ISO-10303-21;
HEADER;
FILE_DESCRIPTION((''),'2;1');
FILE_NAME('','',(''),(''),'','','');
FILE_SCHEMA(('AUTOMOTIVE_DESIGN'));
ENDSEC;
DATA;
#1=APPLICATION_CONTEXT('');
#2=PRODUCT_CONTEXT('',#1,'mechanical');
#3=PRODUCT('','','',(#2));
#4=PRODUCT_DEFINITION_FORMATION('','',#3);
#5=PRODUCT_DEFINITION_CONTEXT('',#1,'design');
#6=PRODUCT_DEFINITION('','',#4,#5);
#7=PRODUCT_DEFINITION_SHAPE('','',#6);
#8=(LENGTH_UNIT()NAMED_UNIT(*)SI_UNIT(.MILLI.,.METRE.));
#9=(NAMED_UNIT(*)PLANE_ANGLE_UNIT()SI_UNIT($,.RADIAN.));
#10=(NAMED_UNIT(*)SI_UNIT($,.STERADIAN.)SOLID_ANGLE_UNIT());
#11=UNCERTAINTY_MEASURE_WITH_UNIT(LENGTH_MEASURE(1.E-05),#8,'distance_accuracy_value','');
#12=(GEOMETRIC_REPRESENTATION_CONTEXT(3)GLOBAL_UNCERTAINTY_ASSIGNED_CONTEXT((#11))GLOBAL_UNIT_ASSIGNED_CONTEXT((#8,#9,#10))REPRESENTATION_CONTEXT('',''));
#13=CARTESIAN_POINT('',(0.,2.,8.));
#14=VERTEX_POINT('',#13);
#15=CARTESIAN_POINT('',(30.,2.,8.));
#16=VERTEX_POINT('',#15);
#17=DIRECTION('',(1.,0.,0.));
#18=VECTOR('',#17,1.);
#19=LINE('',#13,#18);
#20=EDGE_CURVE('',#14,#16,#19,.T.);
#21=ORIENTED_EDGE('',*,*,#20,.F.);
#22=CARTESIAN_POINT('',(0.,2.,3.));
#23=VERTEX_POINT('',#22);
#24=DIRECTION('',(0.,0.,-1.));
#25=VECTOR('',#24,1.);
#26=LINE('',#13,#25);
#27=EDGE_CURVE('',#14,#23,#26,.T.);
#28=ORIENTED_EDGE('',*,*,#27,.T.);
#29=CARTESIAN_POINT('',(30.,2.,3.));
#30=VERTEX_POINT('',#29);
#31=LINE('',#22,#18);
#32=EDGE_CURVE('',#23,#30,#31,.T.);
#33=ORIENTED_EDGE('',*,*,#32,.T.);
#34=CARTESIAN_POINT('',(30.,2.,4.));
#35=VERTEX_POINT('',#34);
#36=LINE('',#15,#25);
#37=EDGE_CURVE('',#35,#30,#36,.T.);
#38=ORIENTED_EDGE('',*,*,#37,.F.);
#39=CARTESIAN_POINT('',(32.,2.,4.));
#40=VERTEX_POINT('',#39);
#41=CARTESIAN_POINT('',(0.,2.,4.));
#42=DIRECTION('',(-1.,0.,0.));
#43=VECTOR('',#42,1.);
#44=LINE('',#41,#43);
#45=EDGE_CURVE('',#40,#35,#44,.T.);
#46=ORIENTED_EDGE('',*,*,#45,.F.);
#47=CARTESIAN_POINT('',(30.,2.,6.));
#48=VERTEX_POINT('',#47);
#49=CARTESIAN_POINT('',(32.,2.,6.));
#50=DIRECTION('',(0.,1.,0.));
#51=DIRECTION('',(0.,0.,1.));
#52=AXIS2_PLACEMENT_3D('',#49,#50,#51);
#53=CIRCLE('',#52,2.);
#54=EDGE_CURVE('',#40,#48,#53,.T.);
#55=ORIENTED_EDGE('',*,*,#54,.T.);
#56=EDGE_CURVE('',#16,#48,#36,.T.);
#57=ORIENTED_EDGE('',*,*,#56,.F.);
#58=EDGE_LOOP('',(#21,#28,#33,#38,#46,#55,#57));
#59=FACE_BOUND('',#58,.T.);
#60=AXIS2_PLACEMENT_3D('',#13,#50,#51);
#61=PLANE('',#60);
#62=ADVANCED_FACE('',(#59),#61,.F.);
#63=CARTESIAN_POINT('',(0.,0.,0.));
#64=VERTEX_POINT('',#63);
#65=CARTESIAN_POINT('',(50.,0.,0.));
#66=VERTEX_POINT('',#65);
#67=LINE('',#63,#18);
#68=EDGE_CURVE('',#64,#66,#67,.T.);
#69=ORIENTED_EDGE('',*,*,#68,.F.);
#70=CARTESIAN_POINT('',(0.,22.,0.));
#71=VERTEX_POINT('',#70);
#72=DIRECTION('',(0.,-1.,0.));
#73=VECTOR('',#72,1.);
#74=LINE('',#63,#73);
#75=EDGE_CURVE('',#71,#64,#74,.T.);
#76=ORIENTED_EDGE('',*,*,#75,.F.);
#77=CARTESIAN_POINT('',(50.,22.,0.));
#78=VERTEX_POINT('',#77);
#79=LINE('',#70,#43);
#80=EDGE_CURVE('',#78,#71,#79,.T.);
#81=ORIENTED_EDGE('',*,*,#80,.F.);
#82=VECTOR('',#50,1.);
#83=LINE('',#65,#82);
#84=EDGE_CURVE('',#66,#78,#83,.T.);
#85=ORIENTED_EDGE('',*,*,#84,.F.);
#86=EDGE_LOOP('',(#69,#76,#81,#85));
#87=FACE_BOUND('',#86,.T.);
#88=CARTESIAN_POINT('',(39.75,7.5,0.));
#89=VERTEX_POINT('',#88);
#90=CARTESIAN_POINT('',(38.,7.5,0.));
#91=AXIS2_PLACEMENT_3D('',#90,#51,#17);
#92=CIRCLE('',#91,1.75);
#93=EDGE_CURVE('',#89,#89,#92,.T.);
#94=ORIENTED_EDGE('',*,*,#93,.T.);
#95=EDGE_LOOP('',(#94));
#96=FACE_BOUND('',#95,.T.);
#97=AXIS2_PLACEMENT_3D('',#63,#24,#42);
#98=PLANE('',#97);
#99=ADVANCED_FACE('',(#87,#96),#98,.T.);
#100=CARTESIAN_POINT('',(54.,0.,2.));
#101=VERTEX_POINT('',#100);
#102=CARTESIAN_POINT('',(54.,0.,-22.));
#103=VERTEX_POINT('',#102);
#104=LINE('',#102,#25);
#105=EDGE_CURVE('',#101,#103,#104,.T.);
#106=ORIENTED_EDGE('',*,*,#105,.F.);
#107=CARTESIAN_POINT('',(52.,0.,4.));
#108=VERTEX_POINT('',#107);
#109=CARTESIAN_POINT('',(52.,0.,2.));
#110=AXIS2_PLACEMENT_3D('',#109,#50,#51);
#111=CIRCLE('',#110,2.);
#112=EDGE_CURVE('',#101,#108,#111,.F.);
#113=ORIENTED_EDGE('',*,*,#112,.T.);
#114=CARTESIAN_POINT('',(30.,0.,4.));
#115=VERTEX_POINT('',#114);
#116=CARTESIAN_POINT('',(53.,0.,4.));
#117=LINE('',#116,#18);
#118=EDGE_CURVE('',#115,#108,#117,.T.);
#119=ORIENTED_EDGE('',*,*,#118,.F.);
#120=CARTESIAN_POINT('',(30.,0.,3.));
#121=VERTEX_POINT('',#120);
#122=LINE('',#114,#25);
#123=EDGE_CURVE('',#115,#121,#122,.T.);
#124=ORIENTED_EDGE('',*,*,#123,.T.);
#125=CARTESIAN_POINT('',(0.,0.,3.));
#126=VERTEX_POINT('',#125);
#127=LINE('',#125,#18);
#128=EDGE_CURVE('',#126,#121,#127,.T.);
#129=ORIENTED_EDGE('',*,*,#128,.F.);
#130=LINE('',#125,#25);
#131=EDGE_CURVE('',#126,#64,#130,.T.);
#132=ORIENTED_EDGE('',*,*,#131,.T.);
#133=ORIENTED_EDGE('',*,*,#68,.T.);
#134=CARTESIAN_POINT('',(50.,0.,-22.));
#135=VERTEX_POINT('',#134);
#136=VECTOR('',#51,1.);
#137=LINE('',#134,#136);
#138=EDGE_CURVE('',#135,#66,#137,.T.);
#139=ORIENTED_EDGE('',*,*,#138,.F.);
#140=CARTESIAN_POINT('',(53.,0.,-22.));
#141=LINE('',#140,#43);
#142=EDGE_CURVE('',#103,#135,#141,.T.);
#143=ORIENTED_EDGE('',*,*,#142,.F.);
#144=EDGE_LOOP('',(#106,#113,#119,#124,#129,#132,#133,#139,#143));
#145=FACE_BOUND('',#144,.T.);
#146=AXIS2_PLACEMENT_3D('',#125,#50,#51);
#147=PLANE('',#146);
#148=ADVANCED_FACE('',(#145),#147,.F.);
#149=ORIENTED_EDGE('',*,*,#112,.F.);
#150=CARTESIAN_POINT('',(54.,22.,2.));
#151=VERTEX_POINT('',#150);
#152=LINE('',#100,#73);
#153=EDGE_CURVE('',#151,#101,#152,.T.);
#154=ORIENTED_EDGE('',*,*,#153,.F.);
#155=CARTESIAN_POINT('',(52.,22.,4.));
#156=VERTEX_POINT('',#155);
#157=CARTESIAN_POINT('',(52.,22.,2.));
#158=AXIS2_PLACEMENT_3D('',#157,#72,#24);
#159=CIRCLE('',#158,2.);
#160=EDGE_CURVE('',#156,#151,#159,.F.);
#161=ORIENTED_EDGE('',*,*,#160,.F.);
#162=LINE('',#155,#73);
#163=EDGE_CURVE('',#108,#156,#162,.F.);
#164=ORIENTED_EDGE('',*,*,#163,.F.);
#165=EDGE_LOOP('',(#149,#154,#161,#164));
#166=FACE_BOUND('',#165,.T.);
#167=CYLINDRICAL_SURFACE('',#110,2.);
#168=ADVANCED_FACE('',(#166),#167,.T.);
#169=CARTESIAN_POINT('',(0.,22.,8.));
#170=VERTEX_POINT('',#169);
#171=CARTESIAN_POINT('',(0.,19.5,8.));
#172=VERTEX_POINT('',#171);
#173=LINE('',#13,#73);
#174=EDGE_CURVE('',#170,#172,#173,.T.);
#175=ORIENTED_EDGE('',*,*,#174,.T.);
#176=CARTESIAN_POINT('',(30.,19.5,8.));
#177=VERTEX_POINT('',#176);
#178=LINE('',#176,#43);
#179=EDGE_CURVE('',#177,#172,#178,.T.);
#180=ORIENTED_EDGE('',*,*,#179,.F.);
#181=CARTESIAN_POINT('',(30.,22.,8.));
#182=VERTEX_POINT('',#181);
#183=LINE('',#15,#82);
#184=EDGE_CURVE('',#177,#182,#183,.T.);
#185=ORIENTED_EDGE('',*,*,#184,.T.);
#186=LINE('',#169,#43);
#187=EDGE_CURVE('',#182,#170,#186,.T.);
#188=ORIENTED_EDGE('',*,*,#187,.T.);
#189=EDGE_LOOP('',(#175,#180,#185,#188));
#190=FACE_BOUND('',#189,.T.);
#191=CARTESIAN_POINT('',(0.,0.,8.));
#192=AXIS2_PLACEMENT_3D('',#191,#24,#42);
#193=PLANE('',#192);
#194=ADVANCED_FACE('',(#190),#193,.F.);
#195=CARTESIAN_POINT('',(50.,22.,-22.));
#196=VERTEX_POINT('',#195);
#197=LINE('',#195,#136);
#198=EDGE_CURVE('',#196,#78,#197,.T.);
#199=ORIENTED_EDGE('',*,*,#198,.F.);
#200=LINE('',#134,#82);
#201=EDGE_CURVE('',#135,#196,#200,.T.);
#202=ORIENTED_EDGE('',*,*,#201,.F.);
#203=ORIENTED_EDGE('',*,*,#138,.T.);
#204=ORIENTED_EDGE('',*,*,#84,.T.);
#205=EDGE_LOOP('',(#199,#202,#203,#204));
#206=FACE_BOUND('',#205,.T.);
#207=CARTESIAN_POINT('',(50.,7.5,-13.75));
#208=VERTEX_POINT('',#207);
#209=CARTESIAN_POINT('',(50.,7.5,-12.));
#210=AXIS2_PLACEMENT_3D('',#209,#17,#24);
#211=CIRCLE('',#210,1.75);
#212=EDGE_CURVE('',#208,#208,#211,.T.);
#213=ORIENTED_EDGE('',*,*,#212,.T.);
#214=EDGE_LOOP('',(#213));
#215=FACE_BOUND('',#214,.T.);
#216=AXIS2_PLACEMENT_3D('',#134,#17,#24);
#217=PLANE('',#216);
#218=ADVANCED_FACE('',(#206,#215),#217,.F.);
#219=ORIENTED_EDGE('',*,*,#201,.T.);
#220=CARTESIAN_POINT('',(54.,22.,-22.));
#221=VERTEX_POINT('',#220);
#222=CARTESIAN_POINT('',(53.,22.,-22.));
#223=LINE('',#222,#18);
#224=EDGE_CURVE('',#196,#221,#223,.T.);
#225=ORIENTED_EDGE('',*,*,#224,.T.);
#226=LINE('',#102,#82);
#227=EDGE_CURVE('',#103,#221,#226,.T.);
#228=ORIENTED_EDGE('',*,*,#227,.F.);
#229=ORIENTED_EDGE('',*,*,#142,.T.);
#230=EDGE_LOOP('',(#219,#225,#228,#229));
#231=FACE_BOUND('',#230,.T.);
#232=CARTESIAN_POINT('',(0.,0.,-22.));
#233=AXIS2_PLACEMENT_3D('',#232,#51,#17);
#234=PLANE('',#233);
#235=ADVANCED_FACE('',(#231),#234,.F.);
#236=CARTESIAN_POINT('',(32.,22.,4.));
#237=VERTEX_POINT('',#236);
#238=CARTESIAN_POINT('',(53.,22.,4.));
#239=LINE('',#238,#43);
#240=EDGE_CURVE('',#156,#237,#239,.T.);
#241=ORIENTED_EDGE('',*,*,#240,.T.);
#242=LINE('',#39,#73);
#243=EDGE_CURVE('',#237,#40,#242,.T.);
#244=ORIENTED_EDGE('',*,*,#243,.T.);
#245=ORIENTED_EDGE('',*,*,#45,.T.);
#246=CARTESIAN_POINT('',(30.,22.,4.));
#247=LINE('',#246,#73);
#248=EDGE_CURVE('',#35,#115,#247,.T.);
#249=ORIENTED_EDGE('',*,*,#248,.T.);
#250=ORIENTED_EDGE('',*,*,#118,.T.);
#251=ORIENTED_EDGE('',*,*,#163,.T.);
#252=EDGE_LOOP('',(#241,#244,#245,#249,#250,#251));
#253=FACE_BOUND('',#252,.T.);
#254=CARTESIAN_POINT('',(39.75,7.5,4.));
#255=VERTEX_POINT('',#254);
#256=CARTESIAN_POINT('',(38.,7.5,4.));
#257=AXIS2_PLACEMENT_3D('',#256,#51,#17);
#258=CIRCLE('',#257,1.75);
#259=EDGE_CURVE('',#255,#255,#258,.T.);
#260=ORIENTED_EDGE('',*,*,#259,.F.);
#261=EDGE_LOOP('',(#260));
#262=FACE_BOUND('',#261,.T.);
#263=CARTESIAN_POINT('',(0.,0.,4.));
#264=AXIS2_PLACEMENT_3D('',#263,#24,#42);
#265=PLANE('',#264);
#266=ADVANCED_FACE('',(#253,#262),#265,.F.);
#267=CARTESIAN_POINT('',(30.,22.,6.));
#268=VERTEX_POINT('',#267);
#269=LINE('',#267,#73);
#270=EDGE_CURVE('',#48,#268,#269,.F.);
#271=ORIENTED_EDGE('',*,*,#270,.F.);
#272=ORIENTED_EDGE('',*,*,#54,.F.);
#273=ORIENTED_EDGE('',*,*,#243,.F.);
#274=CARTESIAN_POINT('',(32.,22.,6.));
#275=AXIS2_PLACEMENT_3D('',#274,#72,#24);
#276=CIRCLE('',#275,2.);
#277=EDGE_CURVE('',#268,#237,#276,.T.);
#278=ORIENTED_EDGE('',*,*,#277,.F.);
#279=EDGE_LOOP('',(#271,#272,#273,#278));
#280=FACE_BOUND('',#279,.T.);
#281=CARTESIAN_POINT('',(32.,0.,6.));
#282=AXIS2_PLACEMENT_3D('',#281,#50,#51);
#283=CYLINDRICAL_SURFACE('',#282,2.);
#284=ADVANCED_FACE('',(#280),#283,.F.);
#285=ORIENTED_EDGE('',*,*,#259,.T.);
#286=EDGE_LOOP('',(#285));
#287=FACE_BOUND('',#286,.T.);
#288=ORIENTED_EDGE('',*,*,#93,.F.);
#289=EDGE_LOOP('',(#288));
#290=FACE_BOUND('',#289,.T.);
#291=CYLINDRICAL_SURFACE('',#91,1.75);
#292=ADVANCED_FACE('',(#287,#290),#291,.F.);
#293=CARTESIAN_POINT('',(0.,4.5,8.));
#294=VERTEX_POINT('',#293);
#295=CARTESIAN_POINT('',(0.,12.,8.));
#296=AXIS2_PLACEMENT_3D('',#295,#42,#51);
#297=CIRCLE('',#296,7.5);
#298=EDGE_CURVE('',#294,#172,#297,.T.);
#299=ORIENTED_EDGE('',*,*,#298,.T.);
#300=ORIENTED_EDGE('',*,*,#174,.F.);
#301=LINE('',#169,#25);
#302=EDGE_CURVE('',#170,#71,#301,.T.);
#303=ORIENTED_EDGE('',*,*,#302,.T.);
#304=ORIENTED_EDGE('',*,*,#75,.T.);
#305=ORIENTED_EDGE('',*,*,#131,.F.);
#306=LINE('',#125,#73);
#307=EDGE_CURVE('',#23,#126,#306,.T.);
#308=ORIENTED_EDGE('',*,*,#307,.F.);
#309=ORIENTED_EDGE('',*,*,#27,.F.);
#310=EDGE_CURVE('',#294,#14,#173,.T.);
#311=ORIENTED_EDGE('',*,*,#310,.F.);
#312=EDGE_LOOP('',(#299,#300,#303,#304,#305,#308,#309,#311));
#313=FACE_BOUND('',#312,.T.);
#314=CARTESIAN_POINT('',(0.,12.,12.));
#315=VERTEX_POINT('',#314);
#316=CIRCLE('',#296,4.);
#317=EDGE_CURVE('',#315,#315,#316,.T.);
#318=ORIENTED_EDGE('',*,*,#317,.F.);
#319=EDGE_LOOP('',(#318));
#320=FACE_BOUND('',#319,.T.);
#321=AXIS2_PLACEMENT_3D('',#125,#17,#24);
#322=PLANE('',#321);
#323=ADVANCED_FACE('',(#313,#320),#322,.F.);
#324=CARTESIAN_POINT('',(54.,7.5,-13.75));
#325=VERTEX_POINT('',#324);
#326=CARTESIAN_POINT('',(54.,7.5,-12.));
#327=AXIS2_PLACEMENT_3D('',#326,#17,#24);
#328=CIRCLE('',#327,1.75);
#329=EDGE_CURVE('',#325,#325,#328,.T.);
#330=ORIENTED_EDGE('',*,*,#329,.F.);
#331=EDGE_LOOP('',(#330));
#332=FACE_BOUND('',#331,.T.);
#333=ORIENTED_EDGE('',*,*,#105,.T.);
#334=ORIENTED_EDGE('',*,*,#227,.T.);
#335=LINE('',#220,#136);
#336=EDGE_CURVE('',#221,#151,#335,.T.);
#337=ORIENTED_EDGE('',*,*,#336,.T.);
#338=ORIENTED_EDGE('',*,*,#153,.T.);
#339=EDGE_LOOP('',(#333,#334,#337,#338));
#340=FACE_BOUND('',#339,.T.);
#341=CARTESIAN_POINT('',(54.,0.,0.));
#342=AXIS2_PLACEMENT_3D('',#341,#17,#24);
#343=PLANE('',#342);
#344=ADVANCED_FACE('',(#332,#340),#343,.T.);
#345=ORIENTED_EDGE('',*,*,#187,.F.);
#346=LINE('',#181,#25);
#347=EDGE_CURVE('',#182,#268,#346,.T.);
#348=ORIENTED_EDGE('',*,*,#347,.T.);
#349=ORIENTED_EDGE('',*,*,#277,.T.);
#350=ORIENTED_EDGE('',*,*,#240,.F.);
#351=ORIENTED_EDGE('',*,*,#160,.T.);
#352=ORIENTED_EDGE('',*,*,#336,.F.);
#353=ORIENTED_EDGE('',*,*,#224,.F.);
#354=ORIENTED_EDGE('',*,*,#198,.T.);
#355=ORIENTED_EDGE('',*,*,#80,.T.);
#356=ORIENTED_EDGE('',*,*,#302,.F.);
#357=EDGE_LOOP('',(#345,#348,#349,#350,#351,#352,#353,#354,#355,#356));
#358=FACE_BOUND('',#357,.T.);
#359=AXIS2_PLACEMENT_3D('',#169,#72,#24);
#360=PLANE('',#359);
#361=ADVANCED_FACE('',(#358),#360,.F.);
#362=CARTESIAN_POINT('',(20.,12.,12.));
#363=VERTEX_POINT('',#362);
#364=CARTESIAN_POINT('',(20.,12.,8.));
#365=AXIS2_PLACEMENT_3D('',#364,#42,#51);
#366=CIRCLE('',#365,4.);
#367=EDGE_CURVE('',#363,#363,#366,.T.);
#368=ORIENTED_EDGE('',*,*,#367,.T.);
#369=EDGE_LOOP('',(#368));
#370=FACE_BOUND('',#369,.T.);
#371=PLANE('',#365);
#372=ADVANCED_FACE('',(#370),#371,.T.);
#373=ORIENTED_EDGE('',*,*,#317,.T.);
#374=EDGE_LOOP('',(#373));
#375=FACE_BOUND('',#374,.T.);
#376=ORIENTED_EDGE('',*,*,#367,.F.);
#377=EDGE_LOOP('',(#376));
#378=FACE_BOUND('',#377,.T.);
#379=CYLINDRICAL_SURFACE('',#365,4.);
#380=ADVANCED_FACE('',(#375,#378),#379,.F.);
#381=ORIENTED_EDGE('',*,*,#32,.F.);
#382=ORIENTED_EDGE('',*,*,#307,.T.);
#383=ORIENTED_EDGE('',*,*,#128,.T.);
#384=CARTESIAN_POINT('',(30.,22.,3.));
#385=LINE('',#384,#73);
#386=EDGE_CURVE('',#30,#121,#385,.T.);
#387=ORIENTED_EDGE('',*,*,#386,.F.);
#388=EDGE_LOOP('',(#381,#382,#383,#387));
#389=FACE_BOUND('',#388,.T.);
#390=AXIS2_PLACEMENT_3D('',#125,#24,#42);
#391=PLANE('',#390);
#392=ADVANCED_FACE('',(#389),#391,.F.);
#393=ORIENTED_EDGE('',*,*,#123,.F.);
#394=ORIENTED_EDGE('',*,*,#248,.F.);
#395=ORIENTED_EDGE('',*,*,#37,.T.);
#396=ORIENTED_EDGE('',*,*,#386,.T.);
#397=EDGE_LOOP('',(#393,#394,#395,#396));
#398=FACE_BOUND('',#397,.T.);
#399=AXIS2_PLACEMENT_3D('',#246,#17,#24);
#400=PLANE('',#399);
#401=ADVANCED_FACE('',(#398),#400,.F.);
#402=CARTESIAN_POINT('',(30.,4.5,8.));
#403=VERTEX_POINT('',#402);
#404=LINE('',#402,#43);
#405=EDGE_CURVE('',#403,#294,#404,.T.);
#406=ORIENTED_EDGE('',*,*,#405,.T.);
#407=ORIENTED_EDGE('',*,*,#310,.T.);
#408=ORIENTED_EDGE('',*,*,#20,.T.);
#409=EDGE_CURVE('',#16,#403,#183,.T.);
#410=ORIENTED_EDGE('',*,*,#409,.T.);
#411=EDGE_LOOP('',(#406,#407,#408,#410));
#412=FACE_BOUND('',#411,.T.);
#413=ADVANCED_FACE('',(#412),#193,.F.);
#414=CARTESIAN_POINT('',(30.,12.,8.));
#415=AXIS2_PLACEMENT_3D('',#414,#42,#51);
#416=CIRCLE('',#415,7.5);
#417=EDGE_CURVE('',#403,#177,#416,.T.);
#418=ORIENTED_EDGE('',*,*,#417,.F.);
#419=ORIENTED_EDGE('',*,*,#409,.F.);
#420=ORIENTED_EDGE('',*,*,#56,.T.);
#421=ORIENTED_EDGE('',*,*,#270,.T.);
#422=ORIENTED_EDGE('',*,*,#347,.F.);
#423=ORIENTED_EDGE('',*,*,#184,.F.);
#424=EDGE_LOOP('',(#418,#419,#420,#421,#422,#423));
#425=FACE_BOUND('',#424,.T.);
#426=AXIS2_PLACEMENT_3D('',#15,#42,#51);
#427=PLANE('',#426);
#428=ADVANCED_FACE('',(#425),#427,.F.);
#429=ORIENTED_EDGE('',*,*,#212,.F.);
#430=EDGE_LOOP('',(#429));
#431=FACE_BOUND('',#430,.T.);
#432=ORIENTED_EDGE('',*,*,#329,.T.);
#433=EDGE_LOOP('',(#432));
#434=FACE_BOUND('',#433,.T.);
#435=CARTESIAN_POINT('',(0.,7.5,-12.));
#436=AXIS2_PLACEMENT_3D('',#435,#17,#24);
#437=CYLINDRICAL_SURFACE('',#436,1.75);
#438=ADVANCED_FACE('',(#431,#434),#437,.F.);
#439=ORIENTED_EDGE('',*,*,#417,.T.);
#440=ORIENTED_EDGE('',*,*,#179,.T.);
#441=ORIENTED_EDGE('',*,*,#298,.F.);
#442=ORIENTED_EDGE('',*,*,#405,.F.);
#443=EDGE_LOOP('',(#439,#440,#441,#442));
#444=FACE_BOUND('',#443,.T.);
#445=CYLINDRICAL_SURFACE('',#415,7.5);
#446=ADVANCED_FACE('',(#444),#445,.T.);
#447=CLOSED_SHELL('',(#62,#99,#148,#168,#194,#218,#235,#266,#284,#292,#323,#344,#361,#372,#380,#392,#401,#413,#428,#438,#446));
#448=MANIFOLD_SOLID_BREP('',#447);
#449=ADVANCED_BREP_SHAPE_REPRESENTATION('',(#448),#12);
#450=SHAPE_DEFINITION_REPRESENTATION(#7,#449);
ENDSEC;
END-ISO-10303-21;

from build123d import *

# Parameters (mm, degrees)
SKETCH1_W           = 50
SKETCH1_H           = 30
BOSS_EXTRUDE1_DEPTH = 3
SKETCH2_R           = 1.75
CUT_EXTRUDE1_DEPTH  = 4
SKETCH3_W           = 30
SKETCH3_H           = 20
BOSS_EXTRUDE2_DEPTH = 5
BOSS_EXTRUDE3_DEPTH = 30
SKETCH5_R           = 4
CUT_EXTRUDE2_DEPTH  = 20
SKETCH6_W           = 50
SKETCH6_H           = 8
CUT_EXTRUDE3_DEPTH  = 20
SKETCH7_W           = 3
SKETCH7_H           = 22
BOSS_EXTRUDE4_DEPTH = 3
SKETCH8_W           = 3
SKETCH8_H           = 22
BOSS_EXTRUDE5_DEPTH = 22
SKETCH9_R           = 1.75
CUT_EXTRUDE4_DEPTH  = 54
SKETCH10_W          = 23
SKETCH10_H          = 22
SKETCH10_R          = 1.75
BOSS_EXTRUDE6_DEPTH = 1
SKETCH11_W          = 26
SKETCH11_H          = 22
SKETCH11_R          = 1.75
BOSS_EXTRUDE7_DEPTH = 1
FILLET1_R           = 2


with BuildPart() as part:
    # Sketch1 → Boss-Extrude1 (new body)
    with BuildSketch(Plane.XY):
        with Locations((25, 15)):
            Rectangle(SKETCH1_W, SKETCH1_H)
    extrude(amount=BOSS_EXTRUDE1_DEPTH)

    # Sketch2 → Cut-Extrude1 (cut, through all)
    with BuildSketch(Plane.XY.offset(3)):
        with Locations((38, 7.5)):
            Circle(SKETCH2_R)
    extrude(amount=-CUT_EXTRUDE1_DEPTH, mode=Mode.SUBTRACT)

    # Sketch3 → Boss-Extrude2 (add)
    with BuildSketch(Plane.XY.offset(3)):
        with Locations((15, 12)):
            Rectangle(SKETCH3_W, SKETCH3_H)
    extrude(amount=BOSS_EXTRUDE2_DEPTH)

    # Sketch4 → Boss-Extrude3 (add)
    with BuildSketch(Plane.ZY):
        with BuildLine():
            Line((8, 4.5), (8, 19.5))
            ThreePointArc((8, 19.5), (15.5, 12), (8, 4.5))
        make_face()
    extrude(amount=-BOSS_EXTRUDE3_DEPTH)

    # Sketch5 → Cut-Extrude2 (cut)
    with BuildSketch(Plane.ZY):
        with Locations((8, 12)):
            Circle(SKETCH5_R)
    extrude(amount=-CUT_EXTRUDE2_DEPTH, mode=Mode.SUBTRACT)

    # Sketch6 → Cut-Extrude3 (cut)
    with BuildSketch(Plane.XY.offset(3)):
        with Locations((25, 26)):
            Rectangle(SKETCH6_W, SKETCH6_H)
    extrude(amount=-CUT_EXTRUDE3_DEPTH, mode=Mode.SUBTRACT)

    # Sketch7 → Boss-Extrude4 (add)
    with BuildSketch(Plane(origin=(50, 0, 0), x_dir=(0, 0, -1), z_dir=(1, 0, 0))):
        with Locations((-1.5, 11)):
            Rectangle(SKETCH7_W, SKETCH7_H)
    extrude(amount=BOSS_EXTRUDE4_DEPTH)

    # Sketch8 → Boss-Extrude5 (add)
    with BuildSketch(Plane(origin=(0, 0, 0), x_dir=(-1, 0, 0), z_dir=(0, 0, -1))):
        with Locations((-51.5, 11)):
            Rectangle(SKETCH8_W, SKETCH8_H)
    extrude(amount=BOSS_EXTRUDE5_DEPTH)

    # Sketch9 → Cut-Extrude4 (cut, through all)
    with BuildSketch(Plane(origin=(53, 0, 0), x_dir=(0, 0, -1), z_dir=(1, 0, 0))):
        with Locations((12, 7.5)):
            Circle(SKETCH9_R)
    extrude(amount=-CUT_EXTRUDE4_DEPTH, mode=Mode.SUBTRACT)

    # Sketch10 → Boss-Extrude6 (add)
    with BuildSketch(Plane.XY.offset(3)):
        with Locations((41.5, 11)):
            Rectangle(SKETCH10_W, SKETCH10_H)
        with Locations((38, 7.5)):
            Circle(SKETCH10_R, mode=Mode.SUBTRACT)
    extrude(amount=BOSS_EXTRUDE6_DEPTH)

    # Sketch11 → Boss-Extrude7 (add)
    with BuildSketch(Plane(origin=(53, 0, 0), x_dir=(0, 0, -1), z_dir=(1, 0, 0))):
        with Locations((9, 11)):
            Rectangle(SKETCH11_W, SKETCH11_H)
        with Locations((12, 7.5)):
            Circle(SKETCH11_R, mode=Mode.SUBTRACT)
    extrude(amount=BOSS_EXTRUDE7_DEPTH)

    # Fillet1
    fillet1_edges = [part.edges().sort_by_distance(p)[0] for p in [
        (30, 12, 4),
        (54, 11, 4),
    ]]
    fillet(fillet1_edges, radius=FILLET1_R)


solid = part.part
